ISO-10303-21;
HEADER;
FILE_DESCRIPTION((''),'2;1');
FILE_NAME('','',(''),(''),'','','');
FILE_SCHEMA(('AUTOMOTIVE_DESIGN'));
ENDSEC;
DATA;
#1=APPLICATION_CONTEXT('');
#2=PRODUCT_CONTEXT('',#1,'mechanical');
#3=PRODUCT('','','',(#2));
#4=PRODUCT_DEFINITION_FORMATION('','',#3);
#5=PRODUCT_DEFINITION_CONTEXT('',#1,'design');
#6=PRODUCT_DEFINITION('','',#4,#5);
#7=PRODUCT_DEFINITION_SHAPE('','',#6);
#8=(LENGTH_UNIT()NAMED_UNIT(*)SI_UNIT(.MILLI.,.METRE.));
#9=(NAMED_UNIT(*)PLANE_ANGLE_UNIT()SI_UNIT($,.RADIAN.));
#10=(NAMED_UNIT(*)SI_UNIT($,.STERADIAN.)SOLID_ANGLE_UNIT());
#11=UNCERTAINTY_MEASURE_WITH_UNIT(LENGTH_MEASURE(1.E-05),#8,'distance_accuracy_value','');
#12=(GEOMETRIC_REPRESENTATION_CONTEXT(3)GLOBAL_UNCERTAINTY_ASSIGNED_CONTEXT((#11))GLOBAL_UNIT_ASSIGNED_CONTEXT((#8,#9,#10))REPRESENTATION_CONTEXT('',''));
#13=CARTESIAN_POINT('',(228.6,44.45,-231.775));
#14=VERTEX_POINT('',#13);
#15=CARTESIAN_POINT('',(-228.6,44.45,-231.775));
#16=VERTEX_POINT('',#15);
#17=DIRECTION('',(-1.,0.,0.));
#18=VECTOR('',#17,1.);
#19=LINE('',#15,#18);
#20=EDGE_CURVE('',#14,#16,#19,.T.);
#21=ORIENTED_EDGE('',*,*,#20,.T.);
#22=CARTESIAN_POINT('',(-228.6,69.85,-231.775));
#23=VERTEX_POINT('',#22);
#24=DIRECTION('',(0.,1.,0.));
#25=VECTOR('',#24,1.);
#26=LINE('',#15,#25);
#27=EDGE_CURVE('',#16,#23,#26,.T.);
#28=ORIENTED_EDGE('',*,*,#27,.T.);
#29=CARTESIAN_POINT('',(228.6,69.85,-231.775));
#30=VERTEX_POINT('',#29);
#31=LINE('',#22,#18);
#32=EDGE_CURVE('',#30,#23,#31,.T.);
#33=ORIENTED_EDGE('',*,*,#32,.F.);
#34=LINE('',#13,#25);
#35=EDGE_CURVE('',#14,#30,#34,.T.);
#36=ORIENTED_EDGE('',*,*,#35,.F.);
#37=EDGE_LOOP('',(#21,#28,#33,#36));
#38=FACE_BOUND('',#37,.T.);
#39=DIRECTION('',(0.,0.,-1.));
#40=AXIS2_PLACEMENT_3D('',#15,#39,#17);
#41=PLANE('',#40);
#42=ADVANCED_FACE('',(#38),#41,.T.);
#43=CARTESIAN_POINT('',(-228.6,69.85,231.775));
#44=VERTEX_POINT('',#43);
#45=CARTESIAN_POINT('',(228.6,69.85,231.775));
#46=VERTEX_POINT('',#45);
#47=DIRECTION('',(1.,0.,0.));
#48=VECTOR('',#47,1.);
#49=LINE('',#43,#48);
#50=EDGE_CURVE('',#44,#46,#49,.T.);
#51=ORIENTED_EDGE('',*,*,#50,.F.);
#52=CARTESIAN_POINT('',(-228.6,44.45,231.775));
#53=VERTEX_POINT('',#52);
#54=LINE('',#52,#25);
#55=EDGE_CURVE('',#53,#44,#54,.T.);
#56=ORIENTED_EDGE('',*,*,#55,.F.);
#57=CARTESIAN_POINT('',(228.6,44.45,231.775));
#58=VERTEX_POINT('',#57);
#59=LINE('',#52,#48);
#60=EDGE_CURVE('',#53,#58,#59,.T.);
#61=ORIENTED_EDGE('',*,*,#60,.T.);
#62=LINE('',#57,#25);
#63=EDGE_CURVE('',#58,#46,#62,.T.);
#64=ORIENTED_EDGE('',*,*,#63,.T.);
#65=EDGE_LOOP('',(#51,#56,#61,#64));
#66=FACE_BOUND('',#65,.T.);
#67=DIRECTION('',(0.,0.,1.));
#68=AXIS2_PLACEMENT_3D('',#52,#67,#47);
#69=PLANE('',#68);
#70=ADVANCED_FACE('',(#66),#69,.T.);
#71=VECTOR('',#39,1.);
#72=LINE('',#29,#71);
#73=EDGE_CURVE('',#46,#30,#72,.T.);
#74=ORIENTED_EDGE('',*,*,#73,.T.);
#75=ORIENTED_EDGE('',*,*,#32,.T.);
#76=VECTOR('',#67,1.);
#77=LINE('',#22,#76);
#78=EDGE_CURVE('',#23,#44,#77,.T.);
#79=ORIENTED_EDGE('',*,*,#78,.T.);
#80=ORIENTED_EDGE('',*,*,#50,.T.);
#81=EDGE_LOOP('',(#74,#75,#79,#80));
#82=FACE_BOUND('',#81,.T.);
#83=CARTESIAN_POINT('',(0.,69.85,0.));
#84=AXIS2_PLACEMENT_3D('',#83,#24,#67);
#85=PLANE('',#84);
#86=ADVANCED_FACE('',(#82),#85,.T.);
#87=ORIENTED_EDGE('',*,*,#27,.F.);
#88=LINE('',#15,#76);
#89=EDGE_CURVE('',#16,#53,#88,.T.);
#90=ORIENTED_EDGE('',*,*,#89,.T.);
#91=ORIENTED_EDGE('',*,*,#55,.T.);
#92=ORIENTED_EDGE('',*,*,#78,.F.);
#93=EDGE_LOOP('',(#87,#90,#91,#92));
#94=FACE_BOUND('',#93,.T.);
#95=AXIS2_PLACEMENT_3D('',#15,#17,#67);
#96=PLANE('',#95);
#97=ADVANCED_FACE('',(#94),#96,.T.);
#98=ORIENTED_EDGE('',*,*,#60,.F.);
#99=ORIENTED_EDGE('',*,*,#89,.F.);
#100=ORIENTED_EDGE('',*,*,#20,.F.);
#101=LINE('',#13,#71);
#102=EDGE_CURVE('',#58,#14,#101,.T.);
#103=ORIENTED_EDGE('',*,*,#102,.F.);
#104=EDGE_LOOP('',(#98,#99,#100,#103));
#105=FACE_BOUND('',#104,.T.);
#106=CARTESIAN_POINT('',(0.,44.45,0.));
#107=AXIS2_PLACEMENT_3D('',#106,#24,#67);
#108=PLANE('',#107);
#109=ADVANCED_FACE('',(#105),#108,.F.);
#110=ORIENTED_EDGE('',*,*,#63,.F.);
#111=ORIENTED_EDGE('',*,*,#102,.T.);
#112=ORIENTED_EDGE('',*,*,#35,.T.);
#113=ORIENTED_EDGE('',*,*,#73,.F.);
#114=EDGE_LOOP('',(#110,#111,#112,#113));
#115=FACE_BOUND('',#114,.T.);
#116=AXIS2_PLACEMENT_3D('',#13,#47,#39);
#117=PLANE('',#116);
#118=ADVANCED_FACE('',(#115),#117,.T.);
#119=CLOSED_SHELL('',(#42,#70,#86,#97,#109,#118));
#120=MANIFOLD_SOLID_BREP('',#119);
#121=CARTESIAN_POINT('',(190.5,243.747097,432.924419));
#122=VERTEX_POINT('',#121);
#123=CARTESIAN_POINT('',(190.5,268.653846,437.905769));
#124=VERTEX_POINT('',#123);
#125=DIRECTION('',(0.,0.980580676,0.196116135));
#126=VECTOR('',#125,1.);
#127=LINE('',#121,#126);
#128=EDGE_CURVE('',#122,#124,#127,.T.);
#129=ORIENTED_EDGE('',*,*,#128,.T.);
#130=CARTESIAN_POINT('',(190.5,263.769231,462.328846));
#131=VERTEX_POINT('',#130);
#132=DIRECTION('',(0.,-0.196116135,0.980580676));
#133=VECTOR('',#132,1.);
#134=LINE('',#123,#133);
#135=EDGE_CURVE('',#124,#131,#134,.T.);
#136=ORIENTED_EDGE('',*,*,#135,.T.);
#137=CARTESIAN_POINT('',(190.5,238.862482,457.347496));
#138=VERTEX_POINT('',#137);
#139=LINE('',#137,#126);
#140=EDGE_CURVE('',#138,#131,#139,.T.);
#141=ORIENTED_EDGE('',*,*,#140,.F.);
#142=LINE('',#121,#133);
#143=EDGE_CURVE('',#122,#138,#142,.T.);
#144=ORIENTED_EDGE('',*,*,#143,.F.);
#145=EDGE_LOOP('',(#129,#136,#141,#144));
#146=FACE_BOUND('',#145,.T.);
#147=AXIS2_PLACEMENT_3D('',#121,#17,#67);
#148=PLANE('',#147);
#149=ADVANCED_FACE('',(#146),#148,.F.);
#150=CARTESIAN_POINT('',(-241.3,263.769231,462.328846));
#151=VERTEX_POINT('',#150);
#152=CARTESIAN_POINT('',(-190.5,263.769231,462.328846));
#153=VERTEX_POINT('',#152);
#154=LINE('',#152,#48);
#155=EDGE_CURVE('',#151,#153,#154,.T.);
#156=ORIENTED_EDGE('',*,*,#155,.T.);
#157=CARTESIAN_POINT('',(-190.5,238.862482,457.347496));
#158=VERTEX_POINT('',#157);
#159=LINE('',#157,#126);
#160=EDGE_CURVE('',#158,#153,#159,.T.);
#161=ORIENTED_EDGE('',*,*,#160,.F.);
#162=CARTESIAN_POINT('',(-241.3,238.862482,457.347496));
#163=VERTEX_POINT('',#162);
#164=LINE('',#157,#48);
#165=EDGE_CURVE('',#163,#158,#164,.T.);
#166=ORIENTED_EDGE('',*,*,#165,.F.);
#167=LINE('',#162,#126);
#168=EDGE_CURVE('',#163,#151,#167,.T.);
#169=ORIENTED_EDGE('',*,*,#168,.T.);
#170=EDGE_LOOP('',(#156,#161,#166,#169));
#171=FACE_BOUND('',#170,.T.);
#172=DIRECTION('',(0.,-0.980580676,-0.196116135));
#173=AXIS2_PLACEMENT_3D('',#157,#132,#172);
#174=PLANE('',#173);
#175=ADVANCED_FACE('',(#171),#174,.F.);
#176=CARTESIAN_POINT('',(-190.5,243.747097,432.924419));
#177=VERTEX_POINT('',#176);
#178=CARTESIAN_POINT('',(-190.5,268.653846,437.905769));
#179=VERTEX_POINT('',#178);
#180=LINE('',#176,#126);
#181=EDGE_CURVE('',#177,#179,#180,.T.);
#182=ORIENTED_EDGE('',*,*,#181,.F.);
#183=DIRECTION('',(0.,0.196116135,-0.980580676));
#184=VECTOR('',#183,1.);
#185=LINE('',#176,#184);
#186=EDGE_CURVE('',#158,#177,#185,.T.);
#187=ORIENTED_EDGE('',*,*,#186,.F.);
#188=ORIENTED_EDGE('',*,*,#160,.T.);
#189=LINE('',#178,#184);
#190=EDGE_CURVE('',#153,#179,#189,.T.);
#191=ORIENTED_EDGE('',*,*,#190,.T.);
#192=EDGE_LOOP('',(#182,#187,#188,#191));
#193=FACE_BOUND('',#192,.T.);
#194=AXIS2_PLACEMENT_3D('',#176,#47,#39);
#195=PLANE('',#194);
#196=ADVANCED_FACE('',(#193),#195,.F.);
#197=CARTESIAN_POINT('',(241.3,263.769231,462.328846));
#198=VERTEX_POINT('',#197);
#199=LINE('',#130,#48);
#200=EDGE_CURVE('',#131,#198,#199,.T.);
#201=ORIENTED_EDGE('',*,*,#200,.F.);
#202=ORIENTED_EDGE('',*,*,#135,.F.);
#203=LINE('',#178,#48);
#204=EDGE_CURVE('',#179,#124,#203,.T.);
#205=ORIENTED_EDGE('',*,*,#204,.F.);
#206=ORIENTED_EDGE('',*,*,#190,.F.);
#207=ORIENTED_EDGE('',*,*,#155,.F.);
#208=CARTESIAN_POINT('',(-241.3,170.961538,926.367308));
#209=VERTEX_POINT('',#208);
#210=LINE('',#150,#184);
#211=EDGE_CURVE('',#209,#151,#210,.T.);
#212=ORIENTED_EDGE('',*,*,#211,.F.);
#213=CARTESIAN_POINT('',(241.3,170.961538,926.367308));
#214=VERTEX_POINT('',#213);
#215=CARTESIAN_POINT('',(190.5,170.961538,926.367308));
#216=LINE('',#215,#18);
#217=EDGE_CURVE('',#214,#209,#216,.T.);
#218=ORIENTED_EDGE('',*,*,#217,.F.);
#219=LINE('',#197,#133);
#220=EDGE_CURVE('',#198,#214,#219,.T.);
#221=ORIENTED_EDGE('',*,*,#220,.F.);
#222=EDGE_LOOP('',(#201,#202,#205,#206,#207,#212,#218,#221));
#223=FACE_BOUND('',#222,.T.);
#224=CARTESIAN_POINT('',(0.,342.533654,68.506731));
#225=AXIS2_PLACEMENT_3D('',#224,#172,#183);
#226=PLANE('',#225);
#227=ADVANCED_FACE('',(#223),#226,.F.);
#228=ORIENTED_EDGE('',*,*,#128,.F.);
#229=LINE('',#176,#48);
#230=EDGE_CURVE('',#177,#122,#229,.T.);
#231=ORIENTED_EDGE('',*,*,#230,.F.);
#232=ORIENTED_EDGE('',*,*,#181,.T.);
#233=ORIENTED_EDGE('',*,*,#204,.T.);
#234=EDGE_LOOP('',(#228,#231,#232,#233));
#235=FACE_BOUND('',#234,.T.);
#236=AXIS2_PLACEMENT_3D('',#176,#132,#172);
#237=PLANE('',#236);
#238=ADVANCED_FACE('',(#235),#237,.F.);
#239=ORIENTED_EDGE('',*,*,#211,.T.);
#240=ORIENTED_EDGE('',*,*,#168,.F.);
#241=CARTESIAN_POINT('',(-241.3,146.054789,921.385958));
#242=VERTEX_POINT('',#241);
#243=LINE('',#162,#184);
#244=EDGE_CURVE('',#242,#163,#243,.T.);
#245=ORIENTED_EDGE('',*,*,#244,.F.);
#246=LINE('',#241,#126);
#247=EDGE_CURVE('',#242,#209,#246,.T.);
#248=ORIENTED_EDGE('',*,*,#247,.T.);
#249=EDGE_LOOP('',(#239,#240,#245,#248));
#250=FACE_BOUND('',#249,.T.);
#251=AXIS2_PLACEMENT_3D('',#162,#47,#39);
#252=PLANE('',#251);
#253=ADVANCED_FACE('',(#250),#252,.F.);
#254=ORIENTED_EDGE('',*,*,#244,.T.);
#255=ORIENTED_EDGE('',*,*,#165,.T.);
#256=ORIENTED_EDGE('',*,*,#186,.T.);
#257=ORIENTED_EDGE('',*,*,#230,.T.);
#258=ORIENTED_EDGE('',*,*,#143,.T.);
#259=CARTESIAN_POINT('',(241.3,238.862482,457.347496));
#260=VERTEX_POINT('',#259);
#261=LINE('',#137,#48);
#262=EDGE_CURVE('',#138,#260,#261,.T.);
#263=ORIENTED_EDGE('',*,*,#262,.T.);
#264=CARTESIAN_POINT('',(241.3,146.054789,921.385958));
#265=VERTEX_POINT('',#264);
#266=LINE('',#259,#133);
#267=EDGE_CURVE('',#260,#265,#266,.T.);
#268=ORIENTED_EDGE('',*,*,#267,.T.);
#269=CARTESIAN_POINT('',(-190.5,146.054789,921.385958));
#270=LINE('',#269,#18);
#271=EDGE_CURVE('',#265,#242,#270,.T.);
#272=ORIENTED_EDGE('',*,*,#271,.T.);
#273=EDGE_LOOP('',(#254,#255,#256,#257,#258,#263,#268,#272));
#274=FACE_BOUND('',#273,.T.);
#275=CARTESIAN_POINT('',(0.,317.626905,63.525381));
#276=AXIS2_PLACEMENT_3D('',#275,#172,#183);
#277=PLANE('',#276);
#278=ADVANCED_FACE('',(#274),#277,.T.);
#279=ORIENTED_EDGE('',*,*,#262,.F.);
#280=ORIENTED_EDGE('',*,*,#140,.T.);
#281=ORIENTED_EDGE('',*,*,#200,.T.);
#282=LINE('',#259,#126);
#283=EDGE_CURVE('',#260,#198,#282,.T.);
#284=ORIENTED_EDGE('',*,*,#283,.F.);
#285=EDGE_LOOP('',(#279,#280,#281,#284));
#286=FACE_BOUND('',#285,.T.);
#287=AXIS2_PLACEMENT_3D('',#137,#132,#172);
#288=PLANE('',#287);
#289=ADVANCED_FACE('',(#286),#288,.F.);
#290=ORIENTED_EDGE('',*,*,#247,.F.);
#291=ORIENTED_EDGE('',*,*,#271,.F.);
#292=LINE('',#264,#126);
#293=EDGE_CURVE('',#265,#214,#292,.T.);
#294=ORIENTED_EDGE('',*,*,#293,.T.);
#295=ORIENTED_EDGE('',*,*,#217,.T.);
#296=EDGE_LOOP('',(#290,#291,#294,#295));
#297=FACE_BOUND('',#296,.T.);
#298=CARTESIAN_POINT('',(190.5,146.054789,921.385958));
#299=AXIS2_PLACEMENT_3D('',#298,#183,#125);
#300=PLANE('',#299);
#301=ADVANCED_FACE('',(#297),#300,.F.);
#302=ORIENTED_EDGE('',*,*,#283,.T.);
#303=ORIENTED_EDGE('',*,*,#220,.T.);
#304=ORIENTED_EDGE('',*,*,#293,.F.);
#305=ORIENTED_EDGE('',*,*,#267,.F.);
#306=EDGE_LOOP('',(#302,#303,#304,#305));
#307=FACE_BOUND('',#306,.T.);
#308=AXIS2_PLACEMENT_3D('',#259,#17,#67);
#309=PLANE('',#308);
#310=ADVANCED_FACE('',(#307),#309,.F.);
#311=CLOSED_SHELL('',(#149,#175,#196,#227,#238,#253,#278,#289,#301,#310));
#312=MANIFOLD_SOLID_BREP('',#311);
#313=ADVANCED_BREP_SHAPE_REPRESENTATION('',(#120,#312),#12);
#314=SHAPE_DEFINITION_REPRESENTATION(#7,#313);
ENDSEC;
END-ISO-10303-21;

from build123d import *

# Parameters (mm, degrees)
SKETCH3_W           = 457.2
SKETCH3_H           = 463.55
BOSS_EXTRUDE1_DEPTH = 25.4
BOSS_EXTRUDE2_DEPTH = 25.4


with BuildPart() as part:
    # Sketch3 → Boss-Extrude1 (new body)
    with BuildSketch(Plane(origin=(0, 69.85, 0), x_dir=(1, 0, 0), z_dir=(0, 1, 0))):
        Rectangle(SKETCH3_W, SKETCH3_H)
    extrude(amount=-BOSS_EXTRUDE1_DEPTH)


with BuildPart() as body_2:
    # Sketch4 → Boss-Extrude2 (new body)
    with BuildSketch(Plane(origin=(0, 342.533653846, 68.506730769), x_dir=(0, 0.196116135, -0.980580676), z_dir=(0, -0.980580676, -0.196116135))):
        Polygon((-874.849564335, 190.5), (-874.849564335, 241.3), (-401.621330246, 241.3), (-401.621330246, 190.5), (-376.714581084, 190.5), (-376.714581084, -190.5), (-401.621330246, -190.5), (-401.621330246, -241.3), (-874.849564335, -241.3), (-874.849564335, -190.5), align=None)
    extrude(amount=BOSS_EXTRUDE2_DEPTH)


solid = Compound([part.part, body_2.part])
